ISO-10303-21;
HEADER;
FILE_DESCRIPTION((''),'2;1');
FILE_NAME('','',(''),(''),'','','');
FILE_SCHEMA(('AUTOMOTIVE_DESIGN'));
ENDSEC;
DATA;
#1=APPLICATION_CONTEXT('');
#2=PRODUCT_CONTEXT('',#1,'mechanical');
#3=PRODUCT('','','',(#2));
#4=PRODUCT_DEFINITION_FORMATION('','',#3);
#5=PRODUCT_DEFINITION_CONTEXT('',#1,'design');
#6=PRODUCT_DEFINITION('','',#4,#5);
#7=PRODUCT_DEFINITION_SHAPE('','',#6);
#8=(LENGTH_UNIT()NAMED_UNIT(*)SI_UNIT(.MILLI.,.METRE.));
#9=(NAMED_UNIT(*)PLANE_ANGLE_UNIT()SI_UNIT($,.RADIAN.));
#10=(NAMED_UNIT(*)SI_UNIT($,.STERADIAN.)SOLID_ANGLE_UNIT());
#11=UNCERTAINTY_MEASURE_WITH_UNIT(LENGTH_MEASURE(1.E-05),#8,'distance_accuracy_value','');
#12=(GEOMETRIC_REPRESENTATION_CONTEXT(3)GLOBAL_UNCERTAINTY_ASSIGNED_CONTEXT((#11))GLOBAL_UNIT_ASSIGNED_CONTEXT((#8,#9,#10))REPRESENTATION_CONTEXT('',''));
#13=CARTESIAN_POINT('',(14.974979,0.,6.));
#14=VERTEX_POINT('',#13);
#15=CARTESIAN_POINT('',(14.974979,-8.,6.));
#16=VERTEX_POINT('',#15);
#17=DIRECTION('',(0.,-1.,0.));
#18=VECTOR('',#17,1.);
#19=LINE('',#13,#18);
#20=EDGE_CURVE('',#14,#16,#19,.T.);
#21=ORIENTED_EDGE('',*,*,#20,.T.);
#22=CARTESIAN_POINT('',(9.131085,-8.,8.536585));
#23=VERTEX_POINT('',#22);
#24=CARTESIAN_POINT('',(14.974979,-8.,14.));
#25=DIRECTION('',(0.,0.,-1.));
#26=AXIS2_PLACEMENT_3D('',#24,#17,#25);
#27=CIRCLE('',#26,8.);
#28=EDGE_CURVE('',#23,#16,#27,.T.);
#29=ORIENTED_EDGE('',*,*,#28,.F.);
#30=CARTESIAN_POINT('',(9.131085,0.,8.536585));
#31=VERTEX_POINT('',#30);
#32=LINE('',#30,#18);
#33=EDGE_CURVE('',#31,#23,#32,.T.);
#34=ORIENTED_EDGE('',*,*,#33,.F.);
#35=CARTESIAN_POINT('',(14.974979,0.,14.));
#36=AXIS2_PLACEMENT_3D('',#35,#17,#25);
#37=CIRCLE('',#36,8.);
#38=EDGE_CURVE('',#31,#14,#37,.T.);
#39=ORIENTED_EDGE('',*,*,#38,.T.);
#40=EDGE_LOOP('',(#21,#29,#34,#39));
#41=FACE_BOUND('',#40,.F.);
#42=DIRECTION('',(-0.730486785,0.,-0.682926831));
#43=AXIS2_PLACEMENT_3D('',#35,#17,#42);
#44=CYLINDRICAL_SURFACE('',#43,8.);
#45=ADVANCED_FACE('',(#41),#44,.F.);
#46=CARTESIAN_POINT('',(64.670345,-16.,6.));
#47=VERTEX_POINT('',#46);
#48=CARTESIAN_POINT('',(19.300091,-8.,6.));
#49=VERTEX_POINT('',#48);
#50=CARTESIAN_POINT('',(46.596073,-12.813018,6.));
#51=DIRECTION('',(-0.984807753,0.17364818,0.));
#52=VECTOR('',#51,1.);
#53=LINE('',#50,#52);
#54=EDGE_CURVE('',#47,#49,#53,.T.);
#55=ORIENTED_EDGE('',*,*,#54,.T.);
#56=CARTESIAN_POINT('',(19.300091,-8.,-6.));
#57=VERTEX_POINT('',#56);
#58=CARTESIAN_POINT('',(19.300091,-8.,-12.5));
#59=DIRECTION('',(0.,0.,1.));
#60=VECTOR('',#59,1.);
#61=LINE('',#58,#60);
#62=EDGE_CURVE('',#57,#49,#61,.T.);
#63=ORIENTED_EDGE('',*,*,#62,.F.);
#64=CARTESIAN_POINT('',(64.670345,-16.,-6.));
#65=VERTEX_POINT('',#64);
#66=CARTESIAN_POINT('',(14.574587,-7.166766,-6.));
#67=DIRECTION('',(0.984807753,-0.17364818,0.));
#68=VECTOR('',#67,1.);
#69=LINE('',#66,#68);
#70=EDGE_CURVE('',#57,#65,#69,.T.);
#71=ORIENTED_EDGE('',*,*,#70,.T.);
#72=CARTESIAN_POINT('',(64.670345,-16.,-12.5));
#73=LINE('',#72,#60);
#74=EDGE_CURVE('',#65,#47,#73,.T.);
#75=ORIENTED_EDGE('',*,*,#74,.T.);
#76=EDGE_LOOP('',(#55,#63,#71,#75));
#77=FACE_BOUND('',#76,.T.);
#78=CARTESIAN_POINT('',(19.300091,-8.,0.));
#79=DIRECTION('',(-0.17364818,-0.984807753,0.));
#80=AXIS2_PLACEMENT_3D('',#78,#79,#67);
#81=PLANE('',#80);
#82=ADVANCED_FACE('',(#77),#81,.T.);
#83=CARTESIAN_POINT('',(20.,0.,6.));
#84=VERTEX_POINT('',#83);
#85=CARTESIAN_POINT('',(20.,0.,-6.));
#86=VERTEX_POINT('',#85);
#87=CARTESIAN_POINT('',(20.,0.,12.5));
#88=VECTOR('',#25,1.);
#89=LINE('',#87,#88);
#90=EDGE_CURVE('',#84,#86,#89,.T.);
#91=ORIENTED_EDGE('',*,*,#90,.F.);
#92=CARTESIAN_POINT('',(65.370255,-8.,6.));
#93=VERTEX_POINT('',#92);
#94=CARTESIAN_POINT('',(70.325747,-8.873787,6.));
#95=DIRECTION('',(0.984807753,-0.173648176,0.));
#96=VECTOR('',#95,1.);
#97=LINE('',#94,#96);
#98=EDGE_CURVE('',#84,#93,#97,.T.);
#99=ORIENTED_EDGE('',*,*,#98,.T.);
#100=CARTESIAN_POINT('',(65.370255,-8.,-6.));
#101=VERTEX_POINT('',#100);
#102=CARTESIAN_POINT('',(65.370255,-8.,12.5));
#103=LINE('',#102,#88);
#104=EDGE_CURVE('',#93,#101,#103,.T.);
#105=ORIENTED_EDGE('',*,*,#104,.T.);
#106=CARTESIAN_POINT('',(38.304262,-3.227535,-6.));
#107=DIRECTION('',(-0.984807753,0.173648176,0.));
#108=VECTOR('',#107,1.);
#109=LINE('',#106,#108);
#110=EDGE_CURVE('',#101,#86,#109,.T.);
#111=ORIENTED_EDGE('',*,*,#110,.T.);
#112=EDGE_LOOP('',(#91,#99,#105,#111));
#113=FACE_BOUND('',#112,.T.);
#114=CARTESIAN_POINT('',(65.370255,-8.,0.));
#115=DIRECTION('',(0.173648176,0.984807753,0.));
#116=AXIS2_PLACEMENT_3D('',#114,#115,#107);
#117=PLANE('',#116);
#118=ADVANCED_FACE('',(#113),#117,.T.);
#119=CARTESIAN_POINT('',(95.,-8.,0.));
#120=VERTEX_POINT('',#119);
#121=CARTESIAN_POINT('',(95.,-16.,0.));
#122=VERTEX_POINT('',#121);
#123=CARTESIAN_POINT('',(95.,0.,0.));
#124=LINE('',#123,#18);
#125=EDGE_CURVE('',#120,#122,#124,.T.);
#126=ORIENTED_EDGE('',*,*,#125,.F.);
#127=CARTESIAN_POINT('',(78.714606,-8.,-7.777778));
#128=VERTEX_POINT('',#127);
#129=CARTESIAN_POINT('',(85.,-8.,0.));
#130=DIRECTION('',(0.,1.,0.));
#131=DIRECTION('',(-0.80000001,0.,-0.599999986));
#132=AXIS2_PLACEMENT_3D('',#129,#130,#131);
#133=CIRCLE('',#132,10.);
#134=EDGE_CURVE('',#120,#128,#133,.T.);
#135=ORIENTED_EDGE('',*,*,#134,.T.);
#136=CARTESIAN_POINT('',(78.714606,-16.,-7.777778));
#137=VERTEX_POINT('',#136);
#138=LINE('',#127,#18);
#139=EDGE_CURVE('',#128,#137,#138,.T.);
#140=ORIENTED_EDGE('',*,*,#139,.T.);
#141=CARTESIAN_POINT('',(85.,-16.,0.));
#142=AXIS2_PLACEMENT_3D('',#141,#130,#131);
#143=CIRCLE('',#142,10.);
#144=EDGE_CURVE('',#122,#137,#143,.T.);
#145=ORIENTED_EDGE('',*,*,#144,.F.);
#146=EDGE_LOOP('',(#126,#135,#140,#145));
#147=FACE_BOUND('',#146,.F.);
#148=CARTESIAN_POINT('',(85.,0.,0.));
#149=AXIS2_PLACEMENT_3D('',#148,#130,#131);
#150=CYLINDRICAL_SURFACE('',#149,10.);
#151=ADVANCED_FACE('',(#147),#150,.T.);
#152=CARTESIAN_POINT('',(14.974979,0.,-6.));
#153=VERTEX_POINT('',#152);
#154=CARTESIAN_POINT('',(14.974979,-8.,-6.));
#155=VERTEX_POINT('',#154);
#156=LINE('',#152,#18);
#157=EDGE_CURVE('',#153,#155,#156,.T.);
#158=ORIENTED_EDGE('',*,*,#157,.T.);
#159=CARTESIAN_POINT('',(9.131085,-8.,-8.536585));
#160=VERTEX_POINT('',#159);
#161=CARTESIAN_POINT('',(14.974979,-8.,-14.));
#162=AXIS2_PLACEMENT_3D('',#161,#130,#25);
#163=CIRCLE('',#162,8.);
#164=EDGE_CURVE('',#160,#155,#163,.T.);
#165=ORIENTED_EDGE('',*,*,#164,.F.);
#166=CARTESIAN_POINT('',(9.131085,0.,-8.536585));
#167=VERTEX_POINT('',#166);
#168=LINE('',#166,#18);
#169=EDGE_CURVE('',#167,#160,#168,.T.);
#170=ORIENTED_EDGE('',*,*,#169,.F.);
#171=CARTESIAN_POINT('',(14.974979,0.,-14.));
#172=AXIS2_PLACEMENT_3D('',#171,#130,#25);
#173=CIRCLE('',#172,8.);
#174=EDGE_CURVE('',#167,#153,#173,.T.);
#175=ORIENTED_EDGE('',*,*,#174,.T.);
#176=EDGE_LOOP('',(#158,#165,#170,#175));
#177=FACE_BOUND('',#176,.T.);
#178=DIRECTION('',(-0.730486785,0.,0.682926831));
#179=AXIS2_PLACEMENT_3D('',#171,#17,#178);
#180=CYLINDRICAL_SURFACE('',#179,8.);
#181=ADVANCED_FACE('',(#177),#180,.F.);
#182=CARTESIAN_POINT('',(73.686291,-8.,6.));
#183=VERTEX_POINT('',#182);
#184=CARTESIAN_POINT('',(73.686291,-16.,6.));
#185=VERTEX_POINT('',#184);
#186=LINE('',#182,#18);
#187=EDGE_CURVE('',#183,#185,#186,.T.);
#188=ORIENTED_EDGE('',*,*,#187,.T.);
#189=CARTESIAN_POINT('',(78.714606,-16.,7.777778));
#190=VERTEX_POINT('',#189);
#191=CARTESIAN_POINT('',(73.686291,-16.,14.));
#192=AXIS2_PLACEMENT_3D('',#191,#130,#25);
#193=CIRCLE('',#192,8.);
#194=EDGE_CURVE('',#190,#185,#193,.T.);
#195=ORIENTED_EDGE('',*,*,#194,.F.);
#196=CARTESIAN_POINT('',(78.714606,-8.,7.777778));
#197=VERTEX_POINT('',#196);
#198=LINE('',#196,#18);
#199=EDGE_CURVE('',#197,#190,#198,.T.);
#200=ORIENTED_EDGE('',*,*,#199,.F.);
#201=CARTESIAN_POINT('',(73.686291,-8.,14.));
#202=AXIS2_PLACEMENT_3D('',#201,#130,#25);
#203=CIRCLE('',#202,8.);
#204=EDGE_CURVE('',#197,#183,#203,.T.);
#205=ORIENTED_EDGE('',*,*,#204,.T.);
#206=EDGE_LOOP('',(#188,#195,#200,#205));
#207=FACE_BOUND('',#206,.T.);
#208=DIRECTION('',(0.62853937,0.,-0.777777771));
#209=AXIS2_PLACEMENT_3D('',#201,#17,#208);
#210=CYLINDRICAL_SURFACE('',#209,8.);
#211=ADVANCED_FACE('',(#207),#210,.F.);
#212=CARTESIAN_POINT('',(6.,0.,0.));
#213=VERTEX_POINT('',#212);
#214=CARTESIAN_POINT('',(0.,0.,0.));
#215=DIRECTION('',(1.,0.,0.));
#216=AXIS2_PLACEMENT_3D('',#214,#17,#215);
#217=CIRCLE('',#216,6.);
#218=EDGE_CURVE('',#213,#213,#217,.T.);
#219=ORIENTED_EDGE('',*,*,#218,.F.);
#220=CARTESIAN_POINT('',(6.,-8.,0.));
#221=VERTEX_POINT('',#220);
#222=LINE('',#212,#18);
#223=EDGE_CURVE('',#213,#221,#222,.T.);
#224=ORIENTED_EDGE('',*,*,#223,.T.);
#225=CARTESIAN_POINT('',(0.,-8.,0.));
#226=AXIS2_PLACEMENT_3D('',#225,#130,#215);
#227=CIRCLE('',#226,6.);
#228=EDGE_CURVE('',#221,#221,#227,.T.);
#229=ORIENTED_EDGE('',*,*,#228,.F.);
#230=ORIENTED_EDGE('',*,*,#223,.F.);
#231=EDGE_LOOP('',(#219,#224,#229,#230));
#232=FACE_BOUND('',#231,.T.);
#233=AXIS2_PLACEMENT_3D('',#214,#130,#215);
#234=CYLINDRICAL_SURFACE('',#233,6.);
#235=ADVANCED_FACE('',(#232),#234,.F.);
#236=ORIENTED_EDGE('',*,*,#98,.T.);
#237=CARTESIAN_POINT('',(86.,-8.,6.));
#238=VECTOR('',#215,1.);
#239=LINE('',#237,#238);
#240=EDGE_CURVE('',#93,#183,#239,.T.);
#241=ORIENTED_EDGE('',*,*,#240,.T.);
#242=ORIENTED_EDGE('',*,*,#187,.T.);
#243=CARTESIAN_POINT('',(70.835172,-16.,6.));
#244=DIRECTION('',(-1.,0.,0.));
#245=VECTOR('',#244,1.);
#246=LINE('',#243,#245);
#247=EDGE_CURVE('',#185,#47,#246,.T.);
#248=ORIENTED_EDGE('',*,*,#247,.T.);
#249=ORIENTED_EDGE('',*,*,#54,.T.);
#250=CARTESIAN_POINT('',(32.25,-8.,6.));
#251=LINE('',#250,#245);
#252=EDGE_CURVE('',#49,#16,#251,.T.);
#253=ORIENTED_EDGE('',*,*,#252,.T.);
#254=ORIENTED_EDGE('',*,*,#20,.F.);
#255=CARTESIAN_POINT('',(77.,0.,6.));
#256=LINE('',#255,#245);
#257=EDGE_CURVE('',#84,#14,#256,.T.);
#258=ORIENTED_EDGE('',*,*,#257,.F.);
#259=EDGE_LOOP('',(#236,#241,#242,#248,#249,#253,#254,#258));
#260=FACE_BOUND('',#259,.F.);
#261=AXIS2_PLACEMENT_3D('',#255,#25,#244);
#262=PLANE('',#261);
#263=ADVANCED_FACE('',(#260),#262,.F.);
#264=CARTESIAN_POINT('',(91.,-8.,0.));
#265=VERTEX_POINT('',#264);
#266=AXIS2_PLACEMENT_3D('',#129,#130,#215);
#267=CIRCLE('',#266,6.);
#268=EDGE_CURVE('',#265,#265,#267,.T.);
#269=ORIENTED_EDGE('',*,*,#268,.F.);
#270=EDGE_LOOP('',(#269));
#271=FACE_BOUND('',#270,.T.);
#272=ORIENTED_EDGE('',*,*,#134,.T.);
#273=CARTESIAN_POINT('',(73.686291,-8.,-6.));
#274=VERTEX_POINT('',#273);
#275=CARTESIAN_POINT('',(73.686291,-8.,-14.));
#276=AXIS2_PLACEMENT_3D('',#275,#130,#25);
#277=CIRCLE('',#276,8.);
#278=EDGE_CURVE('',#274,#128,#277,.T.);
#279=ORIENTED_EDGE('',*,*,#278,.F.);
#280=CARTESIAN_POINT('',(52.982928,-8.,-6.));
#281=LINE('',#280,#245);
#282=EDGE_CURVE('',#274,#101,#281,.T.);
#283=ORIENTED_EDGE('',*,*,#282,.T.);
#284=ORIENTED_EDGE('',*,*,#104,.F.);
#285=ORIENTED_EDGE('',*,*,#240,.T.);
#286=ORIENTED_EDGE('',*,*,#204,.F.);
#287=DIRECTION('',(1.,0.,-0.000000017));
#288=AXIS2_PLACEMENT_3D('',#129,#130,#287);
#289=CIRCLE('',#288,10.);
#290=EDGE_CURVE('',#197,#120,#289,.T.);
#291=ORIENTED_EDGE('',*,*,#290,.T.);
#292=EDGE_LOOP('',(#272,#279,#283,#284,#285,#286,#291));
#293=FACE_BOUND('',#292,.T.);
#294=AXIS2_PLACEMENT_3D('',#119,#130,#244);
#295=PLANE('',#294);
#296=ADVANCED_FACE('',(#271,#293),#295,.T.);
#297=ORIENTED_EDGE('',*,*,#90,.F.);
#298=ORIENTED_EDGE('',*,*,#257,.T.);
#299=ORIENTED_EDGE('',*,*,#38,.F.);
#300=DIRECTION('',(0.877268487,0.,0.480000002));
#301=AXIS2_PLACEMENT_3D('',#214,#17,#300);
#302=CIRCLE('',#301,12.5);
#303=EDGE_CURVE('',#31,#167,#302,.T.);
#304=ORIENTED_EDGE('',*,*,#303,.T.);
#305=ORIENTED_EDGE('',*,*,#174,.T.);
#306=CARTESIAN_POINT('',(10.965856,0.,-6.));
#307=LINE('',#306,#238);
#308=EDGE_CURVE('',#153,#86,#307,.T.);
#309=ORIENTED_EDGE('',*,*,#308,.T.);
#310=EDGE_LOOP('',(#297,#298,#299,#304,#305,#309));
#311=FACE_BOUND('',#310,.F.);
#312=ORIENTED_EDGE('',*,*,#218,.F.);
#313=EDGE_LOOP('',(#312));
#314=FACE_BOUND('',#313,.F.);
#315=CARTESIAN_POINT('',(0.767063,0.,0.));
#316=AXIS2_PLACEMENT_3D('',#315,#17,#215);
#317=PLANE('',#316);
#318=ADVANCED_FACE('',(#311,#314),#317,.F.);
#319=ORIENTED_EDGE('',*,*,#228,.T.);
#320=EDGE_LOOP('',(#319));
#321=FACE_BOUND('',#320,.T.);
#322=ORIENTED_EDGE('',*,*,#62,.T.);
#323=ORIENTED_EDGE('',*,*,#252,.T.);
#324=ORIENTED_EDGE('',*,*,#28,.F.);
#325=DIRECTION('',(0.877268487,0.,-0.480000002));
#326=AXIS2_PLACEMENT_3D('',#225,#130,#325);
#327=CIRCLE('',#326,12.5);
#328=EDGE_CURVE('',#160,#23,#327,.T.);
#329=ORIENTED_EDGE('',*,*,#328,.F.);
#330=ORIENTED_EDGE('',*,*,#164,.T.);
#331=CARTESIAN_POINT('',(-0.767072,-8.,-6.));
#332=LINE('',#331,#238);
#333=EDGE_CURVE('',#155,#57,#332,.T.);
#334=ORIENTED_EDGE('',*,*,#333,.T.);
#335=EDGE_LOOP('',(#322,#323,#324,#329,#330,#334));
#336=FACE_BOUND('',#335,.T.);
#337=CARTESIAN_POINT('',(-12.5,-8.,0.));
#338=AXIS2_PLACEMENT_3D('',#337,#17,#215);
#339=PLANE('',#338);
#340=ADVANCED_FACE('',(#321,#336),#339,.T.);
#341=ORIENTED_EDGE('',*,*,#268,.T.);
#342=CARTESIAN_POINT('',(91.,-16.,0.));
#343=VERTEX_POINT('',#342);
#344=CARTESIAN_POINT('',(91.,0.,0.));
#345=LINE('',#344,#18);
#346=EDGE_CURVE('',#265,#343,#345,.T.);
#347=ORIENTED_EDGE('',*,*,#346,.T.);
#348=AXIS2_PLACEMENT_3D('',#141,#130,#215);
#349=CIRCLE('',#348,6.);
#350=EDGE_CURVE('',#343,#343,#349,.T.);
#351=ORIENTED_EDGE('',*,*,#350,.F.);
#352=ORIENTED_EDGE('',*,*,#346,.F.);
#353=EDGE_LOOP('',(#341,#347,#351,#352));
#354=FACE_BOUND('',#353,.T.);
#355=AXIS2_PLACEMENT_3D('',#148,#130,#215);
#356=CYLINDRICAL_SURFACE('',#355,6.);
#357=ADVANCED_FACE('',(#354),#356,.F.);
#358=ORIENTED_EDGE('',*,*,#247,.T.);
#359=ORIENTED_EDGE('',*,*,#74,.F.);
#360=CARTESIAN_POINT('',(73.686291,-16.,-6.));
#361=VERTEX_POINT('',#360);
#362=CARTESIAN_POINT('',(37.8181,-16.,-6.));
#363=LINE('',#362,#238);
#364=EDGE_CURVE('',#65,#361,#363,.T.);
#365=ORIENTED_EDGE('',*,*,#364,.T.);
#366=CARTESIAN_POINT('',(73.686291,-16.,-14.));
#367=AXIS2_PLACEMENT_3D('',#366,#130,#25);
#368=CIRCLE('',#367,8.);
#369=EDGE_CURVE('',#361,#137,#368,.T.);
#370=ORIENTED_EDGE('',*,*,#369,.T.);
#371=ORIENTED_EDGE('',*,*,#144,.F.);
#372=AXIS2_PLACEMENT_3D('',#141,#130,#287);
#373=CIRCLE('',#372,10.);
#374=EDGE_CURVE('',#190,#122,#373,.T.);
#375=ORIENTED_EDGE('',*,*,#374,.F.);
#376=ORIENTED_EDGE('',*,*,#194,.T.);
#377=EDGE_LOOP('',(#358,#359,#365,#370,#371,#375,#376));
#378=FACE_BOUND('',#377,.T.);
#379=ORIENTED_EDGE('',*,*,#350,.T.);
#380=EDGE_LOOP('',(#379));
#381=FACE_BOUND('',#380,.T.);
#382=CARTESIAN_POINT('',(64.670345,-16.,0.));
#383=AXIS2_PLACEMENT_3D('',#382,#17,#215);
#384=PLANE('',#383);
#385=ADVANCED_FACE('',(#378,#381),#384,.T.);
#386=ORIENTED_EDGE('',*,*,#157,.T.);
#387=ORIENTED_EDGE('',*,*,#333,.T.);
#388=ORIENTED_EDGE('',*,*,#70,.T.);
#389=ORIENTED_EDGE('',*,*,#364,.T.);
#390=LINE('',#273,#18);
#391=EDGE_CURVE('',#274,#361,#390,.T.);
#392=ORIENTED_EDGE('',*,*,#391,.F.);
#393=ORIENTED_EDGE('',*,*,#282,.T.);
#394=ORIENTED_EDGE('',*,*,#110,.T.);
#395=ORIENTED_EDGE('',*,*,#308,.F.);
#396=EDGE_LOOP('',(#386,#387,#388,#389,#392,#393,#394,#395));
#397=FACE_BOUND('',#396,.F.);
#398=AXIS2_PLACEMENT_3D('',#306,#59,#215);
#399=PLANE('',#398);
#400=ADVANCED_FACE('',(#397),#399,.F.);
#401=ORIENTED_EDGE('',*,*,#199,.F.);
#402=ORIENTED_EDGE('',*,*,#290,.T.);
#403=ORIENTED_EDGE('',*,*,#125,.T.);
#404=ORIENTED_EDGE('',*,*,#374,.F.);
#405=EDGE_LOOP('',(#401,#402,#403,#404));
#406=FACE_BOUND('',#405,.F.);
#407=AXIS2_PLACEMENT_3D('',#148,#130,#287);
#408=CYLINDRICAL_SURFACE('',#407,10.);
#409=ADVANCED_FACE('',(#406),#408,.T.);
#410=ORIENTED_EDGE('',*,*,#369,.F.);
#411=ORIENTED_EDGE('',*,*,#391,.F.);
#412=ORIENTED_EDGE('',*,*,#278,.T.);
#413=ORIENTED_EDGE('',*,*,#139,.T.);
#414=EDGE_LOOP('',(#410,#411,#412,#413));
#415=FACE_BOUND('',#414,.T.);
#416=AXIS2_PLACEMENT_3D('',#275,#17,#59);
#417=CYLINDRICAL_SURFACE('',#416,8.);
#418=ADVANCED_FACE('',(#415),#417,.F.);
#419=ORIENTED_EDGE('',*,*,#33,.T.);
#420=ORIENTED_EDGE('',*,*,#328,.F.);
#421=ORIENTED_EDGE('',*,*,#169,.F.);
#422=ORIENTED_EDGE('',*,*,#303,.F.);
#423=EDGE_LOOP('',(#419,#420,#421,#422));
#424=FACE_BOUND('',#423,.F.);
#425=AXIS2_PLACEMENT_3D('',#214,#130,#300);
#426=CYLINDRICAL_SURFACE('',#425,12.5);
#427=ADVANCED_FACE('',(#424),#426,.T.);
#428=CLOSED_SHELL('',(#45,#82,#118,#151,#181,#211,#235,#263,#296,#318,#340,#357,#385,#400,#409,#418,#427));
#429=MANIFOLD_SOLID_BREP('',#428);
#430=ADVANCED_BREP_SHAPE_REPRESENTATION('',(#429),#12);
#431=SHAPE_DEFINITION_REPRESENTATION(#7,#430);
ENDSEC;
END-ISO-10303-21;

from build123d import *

# Parameters (mm, degrees)
F0_R     = 6
F1_DEPTH = 25
F3_DEPTH = 12.5
F4_R     = 8


with BuildPart() as f1:
    # F0 (on Front) → F1 (new body)
    with BuildSketch(Plane.XZ):
        with BuildLine():
            ThreePointArc((10.965856, -6), (12.110392, -3.096514), (12.5, 0))
            ThreePointArc((12.5, 0), (12.110392, 3.096514), (10.965856, 6))
            ThreePointArc((10.965856, 6), (-12.5, 0), (10.965856, -6))
        make_face()
        Circle(F0_R, mode=Mode.SUBTRACT)
        with BuildLine():
            ThreePointArc((10.965856, 6), (12.110392, 3.096514), (12.5, 0))
            ThreePointArc((12.5, 0), (12.110392, -3.096514), (10.965856, -6))
            Line((10.965856, -6), (77, -6))
            ThreePointArc((77, -6), (75, 0), (77, 6))
            Line((77, 6), (10.965856, 6))
        make_face()
        with BuildLine():
            ThreePointArc((95, 0), (88.162278, 9.486833), (77, 6))
            ThreePointArc((77, 6), (75, 0), (77, -6))
            ThreePointArc((77, -6), (88.162278, -9.486833), (95, 0))
        make_face()
        with Locations((85, 0)):
            Circle(F0_R, mode=Mode.SUBTRACT)
    extrude(amount=F1_DEPTH)

    # F2 (on Top) → F3 (intersect, symmetric)
    with BuildSketch(Plane.XY):
        Polygon((20, 0), (-12.5, 0), (-12.5, -8), (19.300091, -8), (64.670345, -16), (95, -16), (95, -8), (65.370255, -8), align=None)
    extrude(amount=F3_DEPTH, both=True, mode=Mode.INTERSECT)

    # F4
    f4_edges = [f1.edges().sort_by_distance(p)[0] for p in [
        (10.965856, -4, -6),
        (10.965856, -4, 6),
        (77, -12, 6),
        (77, -12, -6),
    ]]
    fillet(f4_edges, radius=F4_R)


solid = f1.part
